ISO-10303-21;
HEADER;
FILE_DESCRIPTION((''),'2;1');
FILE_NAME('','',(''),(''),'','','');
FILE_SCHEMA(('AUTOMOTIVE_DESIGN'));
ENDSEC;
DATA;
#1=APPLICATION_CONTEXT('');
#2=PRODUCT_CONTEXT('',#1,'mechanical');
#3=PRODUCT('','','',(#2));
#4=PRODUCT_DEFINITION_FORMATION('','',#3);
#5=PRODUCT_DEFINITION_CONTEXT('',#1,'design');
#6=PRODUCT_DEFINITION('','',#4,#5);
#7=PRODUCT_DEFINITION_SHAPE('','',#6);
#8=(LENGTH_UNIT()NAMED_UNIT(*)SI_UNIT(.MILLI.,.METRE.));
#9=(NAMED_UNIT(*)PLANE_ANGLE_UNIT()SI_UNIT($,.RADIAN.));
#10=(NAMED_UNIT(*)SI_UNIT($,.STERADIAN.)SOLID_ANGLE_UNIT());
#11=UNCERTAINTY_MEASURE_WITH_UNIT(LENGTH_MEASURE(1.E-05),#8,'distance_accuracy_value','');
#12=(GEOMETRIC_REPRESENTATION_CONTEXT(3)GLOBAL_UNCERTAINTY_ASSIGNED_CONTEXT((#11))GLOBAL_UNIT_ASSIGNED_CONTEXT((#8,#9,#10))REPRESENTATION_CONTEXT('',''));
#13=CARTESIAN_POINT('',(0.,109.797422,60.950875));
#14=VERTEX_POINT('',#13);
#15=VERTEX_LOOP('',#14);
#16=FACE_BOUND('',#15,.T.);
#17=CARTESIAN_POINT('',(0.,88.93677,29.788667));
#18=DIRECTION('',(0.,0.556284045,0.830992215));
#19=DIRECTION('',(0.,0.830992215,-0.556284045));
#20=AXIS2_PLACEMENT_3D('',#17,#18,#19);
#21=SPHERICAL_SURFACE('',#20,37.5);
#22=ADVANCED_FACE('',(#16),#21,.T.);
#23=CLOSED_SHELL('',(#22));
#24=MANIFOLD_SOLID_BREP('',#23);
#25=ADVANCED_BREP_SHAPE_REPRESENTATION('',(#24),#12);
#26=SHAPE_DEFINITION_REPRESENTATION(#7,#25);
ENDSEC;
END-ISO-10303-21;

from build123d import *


with BuildPart() as part:
    # Sketch1 → Revolve1 (revolve)
    with BuildSketch(Plane(origin=(0, 0, 0), x_dir=(0, 0, -1), z_dir=(1, 0, 0))):
        with BuildLine():
            Line((-60.950875279, 109.797421805), (1.373540851, 68.076118445))
            ThreePointArc((1.373540851, 68.076118445), (-8.928015534, 120.09897819), (-60.950875279, 109.797421805))
        make_face()
    revolve(axis=Axis((0, 109.797421805, 60.950875279), (0, -0.556284045, -0.830992215)))


solid = part.part
